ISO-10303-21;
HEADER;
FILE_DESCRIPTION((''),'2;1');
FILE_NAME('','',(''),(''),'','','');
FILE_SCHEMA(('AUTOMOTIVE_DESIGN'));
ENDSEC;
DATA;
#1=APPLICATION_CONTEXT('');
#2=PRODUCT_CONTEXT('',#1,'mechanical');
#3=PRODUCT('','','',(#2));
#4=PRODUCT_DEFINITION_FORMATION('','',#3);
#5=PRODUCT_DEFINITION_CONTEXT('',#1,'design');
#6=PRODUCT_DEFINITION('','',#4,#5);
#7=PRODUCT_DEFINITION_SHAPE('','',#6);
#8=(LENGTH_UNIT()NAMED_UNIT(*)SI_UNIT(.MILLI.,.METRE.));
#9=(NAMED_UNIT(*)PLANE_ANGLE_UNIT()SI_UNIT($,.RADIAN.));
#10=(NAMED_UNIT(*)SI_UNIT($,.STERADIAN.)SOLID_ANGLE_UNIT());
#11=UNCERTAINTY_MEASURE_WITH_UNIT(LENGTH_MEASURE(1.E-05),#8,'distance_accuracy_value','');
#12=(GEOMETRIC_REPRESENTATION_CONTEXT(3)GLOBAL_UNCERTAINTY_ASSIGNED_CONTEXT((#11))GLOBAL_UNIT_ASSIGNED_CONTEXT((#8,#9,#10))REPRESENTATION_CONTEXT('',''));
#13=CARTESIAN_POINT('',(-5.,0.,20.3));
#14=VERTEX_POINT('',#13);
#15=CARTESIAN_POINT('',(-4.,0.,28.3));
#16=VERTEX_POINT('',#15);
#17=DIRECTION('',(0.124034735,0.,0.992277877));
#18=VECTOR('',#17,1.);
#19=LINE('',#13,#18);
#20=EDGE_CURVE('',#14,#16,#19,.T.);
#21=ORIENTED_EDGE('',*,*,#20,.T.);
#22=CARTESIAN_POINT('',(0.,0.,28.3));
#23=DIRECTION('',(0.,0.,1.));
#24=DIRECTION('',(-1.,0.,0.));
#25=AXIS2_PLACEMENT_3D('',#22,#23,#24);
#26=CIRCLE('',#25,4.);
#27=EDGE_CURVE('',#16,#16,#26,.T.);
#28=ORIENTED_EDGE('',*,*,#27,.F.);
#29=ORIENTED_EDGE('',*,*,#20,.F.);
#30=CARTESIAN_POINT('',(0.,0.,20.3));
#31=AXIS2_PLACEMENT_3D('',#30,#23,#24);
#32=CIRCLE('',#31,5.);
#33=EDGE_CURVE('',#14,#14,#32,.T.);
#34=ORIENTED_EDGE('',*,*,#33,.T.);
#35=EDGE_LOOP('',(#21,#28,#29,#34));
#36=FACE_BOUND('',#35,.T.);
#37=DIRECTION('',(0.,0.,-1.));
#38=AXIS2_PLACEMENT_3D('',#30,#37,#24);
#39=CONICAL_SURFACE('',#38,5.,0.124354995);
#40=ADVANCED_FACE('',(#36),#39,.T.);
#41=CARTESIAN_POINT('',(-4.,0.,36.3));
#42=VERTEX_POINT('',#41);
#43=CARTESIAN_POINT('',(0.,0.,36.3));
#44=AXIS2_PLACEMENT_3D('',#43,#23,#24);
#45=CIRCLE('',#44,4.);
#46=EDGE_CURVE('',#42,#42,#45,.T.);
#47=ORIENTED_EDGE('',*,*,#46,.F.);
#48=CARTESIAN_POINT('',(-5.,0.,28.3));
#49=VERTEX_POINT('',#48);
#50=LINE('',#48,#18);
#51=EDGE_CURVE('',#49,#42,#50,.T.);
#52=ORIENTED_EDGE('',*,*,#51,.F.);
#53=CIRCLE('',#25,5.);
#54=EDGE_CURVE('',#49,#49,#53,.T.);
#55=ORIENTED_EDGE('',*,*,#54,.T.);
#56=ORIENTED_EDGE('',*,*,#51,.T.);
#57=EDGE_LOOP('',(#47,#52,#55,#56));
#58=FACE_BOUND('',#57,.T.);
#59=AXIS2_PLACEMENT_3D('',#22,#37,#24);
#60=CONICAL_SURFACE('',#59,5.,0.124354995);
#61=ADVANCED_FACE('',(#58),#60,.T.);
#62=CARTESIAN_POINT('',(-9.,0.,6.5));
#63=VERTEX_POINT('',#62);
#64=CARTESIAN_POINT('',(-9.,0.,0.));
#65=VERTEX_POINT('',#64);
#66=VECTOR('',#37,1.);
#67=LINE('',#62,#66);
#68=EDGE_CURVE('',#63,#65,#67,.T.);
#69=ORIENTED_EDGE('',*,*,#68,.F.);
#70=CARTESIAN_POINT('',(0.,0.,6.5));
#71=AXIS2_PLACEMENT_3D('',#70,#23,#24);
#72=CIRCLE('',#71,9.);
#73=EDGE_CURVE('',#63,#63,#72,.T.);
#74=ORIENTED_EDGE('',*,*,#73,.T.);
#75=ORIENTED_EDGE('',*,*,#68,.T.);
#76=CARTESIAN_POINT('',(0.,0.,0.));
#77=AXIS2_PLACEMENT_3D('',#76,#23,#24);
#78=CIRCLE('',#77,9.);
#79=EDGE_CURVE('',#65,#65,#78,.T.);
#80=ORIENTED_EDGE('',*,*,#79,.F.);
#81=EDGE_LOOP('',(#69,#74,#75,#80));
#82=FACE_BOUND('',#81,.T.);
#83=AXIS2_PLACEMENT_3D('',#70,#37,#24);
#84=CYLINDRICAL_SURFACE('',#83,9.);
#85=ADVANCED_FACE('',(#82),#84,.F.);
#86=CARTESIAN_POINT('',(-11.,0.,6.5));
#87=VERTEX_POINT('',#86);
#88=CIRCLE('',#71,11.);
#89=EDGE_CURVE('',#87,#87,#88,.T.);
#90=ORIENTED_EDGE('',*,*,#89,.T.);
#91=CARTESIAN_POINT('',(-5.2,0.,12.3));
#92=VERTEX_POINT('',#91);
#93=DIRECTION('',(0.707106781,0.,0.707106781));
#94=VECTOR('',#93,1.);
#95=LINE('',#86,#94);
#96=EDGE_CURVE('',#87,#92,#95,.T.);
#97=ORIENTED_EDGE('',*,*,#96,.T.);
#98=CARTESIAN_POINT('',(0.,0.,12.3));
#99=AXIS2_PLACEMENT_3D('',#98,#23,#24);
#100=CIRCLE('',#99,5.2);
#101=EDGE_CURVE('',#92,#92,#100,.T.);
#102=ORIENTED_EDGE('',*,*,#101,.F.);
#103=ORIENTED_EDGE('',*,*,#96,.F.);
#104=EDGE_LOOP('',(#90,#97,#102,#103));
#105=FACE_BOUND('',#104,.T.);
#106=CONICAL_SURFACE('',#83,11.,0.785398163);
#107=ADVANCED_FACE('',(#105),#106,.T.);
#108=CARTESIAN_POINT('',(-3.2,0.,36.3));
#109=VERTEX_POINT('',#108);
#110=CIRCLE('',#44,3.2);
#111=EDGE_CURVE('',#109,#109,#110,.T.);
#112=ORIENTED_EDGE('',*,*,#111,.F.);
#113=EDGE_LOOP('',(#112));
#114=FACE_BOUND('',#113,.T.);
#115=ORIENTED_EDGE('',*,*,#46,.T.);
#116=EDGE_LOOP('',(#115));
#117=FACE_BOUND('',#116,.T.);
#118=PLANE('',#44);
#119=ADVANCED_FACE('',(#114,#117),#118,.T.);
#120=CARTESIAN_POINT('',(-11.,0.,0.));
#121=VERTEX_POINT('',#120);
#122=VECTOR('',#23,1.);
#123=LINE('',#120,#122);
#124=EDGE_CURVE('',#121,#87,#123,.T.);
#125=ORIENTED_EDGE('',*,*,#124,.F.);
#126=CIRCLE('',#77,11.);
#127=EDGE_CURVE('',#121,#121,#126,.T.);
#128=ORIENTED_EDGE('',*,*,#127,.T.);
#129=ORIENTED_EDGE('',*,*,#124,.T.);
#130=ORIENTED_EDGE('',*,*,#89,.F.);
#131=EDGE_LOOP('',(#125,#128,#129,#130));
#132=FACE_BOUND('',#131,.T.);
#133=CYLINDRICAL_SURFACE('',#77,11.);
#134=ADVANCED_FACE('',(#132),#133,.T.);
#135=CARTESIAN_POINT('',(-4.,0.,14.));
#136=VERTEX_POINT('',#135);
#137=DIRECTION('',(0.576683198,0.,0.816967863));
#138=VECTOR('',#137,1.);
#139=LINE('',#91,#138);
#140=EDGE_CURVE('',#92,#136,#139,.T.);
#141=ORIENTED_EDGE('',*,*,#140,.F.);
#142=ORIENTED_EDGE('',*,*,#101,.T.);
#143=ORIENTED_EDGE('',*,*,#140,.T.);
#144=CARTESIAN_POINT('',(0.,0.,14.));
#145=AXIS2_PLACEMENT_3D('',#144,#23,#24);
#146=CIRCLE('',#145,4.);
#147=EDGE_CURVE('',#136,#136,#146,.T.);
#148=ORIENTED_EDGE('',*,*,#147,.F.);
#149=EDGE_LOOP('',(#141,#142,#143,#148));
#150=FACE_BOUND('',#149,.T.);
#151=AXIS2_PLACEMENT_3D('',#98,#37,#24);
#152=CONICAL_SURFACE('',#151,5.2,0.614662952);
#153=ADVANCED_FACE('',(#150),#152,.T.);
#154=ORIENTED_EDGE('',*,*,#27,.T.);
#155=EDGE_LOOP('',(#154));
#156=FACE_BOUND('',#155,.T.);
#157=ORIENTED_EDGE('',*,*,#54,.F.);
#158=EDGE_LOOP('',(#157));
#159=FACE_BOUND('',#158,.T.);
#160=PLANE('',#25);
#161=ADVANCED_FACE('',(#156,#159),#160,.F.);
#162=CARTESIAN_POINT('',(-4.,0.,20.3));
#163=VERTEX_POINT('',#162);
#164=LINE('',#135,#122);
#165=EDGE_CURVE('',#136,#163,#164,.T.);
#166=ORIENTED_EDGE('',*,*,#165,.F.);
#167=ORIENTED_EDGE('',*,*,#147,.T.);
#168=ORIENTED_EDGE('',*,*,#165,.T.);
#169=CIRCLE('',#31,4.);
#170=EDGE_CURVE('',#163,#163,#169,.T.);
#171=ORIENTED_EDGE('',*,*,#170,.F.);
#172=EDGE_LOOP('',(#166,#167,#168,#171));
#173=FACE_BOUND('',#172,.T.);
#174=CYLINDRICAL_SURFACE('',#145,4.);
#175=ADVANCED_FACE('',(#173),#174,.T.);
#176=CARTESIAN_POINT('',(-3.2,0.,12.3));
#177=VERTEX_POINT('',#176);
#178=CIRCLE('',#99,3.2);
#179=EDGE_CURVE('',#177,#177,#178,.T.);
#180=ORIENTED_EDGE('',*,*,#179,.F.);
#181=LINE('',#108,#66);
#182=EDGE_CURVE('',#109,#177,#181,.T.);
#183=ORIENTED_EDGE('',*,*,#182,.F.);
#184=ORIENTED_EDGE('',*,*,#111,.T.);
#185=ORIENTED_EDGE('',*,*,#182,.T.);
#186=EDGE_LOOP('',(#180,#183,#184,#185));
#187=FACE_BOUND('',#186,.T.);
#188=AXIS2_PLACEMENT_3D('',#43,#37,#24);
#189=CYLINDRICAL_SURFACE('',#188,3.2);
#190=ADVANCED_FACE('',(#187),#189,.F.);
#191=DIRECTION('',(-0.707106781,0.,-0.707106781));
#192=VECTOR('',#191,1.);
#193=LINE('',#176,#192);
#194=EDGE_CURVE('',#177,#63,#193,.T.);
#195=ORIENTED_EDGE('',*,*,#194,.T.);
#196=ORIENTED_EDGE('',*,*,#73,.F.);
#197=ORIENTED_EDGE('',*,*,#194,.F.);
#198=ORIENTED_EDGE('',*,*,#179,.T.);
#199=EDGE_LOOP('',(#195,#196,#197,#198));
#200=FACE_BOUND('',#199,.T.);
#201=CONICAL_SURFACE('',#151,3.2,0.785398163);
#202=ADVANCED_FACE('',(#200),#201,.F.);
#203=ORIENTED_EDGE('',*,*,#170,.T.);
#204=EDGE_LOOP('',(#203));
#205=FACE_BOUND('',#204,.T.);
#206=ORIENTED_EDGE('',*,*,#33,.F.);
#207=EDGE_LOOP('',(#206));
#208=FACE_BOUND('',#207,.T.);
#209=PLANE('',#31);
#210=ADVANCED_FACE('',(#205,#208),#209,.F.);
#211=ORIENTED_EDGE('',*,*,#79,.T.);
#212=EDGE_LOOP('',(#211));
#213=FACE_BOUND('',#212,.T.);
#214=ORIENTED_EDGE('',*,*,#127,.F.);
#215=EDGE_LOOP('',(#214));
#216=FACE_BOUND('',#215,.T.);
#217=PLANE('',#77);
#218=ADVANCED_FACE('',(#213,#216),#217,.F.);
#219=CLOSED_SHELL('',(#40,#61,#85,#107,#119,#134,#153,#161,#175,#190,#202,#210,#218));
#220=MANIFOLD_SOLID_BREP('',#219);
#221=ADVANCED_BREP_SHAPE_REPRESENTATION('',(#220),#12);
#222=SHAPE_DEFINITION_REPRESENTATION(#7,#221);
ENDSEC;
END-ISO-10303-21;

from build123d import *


with BuildPart() as part:
    # Sketch → Revolution (revolve)
    with BuildSketch(Plane.XZ):
        Polygon((-9, 0), (-11, 0), (-11, 6.5), (-5.2, 12.3), (-4, 14), (-4, 20.3), (-5, 20.3), (-4, 28.3), (-5, 28.3), (-4, 36.3), (-3.2, 36.3), (-3.2, 12.3), (-9, 6.5), align=None)
    revolve(axis=Axis((0, 0, 0), (0, 0, 1)))


solid = part.part
